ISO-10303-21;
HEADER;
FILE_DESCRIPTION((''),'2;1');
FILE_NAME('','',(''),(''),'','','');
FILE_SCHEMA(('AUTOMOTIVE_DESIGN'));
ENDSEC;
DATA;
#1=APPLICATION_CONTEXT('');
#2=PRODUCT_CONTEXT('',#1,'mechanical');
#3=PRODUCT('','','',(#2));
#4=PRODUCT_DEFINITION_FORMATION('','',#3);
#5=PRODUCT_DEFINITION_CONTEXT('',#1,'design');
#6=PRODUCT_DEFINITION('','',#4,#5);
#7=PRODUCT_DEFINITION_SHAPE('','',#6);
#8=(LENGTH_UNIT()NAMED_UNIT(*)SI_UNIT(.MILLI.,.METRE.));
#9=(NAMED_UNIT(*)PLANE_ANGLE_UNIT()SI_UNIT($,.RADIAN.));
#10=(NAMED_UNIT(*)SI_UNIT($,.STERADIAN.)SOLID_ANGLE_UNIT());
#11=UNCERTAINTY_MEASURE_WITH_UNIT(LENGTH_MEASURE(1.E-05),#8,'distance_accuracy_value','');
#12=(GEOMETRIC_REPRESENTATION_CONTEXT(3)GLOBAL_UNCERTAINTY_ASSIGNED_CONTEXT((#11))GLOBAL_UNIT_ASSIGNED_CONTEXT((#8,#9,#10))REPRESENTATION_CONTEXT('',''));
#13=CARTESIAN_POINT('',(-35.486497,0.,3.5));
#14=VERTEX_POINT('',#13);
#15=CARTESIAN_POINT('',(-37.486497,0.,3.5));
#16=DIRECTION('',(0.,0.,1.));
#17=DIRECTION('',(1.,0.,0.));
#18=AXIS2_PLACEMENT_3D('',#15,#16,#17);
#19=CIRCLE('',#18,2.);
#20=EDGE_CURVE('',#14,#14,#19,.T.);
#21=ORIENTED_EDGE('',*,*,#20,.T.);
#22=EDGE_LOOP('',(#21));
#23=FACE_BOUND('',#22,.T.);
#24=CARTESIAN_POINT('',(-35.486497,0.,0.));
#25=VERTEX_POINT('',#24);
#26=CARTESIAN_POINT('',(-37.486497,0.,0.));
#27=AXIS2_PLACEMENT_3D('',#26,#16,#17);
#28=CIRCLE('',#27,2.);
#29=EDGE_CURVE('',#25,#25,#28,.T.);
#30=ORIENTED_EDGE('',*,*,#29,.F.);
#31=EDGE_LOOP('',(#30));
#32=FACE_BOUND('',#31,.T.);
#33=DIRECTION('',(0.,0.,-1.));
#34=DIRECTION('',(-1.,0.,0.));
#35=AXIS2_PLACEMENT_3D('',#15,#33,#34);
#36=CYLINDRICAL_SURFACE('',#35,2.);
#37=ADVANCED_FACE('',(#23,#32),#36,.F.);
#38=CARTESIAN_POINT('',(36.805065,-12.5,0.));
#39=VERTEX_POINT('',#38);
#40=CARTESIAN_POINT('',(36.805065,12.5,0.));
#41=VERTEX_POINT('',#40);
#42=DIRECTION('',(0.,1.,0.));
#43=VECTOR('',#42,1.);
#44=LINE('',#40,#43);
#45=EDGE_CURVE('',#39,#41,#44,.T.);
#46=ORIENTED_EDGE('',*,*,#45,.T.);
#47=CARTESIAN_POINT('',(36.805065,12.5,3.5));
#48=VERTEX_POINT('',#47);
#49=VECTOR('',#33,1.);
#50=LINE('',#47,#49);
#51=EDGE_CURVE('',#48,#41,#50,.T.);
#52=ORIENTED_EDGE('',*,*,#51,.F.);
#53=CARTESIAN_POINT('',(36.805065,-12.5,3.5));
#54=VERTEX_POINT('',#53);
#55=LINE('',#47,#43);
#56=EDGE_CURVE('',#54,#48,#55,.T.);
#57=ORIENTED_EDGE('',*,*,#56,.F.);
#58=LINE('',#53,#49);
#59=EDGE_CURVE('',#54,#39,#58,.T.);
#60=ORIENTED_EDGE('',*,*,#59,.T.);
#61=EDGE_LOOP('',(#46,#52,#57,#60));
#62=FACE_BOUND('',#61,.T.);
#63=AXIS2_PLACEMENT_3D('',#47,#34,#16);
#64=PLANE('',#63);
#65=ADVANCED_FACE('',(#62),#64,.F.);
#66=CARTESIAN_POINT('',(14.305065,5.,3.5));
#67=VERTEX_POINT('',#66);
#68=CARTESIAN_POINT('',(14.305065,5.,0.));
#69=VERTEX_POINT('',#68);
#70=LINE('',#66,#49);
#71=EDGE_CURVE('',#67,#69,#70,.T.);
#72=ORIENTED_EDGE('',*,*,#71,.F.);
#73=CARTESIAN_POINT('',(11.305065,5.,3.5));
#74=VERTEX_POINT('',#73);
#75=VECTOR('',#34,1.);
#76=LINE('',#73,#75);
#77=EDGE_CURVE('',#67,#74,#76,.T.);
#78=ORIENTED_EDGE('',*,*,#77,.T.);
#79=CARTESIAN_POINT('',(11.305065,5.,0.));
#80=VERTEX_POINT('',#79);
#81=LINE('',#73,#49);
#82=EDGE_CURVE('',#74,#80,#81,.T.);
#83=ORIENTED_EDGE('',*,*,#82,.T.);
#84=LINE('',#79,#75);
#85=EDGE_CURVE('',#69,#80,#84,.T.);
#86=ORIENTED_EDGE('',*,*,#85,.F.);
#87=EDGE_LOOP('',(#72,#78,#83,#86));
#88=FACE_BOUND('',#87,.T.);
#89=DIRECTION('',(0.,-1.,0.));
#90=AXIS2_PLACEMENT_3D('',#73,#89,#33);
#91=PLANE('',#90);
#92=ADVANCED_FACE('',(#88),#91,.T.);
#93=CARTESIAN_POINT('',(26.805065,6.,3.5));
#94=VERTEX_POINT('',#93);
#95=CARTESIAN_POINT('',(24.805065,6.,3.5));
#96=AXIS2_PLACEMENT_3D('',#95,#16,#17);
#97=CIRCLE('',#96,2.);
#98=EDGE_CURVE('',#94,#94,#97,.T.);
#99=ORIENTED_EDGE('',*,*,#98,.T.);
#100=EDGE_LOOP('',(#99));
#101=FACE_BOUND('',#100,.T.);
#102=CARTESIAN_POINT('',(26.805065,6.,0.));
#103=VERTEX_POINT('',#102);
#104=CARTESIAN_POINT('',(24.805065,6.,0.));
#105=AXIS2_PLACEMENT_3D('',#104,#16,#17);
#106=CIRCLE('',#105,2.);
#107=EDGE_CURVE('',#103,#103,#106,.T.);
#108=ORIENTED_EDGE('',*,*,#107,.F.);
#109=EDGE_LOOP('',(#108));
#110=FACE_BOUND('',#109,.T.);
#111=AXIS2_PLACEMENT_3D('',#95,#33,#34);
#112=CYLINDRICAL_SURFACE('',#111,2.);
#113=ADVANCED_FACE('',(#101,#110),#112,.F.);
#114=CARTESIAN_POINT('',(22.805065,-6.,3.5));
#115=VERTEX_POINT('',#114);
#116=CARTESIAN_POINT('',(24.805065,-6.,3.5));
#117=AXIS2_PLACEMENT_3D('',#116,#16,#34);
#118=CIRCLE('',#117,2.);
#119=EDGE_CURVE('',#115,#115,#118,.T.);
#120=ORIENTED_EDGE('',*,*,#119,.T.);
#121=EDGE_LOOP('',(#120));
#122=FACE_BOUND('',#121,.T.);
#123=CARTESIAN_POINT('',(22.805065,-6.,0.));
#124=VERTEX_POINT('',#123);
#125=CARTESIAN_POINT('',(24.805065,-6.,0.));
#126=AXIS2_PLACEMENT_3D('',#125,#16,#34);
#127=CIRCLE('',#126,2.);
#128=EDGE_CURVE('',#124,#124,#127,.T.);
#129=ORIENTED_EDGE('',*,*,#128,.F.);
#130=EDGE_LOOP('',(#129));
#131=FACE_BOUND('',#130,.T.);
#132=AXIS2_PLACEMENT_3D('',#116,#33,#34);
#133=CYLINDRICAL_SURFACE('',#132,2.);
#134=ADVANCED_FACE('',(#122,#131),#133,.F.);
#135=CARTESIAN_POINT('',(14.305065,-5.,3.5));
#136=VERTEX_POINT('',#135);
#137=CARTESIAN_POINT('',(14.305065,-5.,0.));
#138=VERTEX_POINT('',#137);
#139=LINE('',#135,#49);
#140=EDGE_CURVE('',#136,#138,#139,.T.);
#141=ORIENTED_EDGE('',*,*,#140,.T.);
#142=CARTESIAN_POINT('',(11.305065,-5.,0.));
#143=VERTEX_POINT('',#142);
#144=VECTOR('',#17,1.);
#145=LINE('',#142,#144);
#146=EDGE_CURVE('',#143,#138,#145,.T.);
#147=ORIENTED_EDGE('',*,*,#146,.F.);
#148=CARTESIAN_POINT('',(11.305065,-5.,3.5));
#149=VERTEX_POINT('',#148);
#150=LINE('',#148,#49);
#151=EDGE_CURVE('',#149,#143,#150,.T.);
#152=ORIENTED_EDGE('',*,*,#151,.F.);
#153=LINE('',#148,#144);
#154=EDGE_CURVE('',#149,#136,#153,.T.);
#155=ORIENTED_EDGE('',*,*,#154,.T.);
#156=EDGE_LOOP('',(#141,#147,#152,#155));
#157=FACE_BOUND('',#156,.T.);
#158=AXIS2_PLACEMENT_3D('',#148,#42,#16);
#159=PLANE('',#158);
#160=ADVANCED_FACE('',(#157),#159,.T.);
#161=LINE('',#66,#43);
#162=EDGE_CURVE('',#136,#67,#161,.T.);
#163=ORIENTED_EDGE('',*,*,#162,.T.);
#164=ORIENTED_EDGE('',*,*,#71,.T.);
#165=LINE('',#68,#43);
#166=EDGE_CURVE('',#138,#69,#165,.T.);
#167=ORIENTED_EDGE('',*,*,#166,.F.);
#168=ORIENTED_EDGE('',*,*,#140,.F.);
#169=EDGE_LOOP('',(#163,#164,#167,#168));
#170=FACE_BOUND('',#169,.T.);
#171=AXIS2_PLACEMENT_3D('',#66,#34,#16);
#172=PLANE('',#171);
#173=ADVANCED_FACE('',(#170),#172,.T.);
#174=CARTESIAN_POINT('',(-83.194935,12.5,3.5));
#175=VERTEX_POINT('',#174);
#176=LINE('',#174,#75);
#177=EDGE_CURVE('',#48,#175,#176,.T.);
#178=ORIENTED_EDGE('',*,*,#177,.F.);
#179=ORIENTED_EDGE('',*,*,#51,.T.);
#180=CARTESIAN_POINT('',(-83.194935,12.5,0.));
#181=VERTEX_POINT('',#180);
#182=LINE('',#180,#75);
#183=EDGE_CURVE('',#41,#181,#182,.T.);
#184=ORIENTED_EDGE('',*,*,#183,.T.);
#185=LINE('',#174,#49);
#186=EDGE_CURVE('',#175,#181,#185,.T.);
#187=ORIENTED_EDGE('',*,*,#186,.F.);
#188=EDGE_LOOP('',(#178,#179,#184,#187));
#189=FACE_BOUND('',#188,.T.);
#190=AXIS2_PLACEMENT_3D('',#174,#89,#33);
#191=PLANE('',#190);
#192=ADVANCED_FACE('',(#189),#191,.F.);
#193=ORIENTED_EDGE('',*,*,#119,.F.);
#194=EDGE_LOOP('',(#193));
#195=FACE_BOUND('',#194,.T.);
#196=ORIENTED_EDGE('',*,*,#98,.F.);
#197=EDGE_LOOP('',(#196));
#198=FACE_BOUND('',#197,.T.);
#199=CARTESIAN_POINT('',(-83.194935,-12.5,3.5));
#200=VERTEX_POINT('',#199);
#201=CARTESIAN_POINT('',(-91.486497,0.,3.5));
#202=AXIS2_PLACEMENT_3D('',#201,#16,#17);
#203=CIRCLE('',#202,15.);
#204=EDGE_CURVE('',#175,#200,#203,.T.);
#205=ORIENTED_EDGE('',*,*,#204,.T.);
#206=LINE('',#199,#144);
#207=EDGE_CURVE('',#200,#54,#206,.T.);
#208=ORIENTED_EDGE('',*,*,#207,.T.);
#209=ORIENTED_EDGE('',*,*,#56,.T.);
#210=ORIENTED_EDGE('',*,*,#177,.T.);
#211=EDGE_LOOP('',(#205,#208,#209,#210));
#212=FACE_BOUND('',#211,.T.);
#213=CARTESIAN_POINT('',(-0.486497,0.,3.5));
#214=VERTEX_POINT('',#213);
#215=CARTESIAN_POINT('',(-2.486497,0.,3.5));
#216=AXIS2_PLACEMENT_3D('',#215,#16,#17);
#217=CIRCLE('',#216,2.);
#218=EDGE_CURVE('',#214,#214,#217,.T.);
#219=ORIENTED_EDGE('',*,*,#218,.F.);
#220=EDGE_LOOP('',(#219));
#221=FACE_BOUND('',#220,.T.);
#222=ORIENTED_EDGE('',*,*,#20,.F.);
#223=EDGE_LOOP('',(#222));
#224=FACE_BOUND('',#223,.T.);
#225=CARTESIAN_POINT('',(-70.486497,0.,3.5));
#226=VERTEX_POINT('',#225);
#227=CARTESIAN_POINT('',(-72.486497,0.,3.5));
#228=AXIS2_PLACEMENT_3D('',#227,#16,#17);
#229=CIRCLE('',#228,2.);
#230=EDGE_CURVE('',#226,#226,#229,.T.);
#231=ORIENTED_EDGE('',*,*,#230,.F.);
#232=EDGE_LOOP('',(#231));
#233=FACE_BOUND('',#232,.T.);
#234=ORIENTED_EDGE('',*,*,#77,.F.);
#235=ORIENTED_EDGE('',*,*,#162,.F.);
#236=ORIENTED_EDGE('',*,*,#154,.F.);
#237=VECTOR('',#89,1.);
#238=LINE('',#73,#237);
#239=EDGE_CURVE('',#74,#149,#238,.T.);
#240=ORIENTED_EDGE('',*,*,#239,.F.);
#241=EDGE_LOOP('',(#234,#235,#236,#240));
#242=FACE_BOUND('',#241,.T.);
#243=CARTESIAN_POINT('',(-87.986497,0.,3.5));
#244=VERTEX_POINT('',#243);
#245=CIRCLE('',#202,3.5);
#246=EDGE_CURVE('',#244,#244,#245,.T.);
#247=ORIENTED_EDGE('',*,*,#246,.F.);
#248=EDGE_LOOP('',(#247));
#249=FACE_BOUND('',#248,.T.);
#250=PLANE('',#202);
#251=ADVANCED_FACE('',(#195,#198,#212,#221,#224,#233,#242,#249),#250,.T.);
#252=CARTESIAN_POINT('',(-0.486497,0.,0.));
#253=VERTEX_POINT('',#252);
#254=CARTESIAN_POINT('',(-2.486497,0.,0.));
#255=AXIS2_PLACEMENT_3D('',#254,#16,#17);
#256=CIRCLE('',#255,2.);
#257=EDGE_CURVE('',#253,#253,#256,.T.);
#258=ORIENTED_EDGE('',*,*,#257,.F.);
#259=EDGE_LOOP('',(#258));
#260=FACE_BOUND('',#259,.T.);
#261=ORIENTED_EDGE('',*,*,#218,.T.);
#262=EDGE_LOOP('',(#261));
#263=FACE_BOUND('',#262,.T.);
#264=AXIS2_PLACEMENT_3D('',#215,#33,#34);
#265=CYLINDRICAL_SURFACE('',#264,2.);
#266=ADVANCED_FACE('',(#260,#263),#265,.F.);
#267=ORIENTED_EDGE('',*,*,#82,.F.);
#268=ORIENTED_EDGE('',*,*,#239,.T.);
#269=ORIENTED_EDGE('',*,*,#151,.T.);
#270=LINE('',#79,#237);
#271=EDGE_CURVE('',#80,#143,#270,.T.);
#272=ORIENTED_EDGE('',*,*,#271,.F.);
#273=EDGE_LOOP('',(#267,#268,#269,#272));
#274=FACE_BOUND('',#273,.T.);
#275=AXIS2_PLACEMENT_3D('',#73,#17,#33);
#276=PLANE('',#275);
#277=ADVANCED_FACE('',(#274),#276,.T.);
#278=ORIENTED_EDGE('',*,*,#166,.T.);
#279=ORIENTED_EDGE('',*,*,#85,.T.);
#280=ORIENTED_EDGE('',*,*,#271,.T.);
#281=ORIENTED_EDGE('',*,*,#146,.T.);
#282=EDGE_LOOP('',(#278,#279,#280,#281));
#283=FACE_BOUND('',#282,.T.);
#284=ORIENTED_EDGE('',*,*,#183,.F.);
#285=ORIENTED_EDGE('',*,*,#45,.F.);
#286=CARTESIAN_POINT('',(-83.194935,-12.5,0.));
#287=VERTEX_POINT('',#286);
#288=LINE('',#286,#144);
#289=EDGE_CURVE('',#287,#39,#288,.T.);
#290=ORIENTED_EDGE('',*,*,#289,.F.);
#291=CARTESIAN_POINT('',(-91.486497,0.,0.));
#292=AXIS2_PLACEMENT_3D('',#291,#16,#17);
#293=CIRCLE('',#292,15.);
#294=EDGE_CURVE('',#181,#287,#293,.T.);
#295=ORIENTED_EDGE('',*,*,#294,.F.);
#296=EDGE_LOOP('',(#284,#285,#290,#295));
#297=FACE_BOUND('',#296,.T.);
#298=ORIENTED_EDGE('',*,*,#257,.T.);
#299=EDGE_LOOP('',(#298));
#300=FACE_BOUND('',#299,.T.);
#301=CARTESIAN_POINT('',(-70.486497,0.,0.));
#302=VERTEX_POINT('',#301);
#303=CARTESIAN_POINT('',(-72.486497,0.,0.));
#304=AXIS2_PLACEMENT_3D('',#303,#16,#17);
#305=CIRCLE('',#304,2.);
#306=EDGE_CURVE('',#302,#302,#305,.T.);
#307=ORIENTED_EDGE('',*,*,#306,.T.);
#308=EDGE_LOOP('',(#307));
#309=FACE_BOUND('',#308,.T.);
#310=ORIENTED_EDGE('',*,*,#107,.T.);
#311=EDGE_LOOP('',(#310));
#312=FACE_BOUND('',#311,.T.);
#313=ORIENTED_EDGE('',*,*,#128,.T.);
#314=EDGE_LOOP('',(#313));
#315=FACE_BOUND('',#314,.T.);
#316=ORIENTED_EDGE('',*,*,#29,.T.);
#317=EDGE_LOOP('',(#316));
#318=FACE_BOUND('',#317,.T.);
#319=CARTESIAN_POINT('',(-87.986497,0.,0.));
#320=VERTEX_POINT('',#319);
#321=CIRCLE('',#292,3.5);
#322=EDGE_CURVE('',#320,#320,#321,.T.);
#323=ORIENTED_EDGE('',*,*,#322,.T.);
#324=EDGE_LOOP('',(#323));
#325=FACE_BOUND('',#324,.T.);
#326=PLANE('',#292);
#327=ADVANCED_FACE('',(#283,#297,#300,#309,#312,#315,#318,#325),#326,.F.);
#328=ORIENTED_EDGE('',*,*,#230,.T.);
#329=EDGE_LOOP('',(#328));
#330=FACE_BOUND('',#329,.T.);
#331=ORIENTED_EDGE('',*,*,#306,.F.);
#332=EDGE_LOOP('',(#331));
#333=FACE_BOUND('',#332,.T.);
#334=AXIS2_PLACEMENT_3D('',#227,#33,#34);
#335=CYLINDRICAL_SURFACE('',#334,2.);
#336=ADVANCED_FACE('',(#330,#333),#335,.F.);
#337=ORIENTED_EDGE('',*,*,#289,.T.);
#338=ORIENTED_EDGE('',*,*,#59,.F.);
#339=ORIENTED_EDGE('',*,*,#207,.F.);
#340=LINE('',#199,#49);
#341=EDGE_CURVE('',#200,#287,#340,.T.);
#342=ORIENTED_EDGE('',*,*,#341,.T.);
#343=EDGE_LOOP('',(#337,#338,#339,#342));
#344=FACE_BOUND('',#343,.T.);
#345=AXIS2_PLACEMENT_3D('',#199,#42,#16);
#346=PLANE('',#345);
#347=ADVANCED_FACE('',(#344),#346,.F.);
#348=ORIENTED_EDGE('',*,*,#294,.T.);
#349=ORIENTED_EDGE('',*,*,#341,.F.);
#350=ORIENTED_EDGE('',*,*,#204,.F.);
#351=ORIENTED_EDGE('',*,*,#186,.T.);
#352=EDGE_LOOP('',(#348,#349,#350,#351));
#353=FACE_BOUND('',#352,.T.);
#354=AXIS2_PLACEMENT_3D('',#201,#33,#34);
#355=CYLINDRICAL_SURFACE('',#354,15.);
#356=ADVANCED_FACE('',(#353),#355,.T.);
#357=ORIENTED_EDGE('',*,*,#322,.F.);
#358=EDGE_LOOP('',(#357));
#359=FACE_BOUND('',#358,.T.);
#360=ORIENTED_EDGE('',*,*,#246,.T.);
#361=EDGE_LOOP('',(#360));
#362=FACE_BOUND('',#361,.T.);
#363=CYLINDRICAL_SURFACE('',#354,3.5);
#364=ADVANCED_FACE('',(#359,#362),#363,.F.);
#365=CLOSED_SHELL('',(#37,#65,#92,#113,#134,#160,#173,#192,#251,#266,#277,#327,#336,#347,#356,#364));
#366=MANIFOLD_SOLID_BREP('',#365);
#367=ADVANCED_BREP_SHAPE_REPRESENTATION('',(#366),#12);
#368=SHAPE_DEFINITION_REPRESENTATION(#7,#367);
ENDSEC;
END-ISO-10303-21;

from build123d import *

# Parameters (mm, degrees)
CROQUIS1_R              = 3.5
CROQUIS1_R_2            = 2
CROQUIS1_W              = 3
CROQUIS1_H              = 10
SALIENTE_EXTRUIR2_DEPTH = 3.5


with BuildPart() as part:
    # Croquis1 → Saliente-Extruir2 (new body)
    with BuildSketch(Plane.XY):
        with BuildLine():
            Line((36.805064583, 12.5), (36.805064583, -12.5))
            Line((36.805064583, -12.5), (-83.194935417, -12.5))
            ThreePointArc((-83.194935417, -12.5), (-106.486497393, 0), (-83.194935417, 12.5))
            Line((-83.194935417, 12.5), (36.805064583, 12.5))
        make_face()
        with Locations((-91.486497393, 0)):
            Circle(CROQUIS1_R, mode=Mode.SUBTRACT)
        with Locations((-72.486497393, 0)):
            Circle(CROQUIS1_R_2, mode=Mode.SUBTRACT)
        with Locations((24.805064583, 6)):
            Circle(CROQUIS1_R_2, mode=Mode.SUBTRACT)
        with Locations((24.805064583, -6)):
            Circle(CROQUIS1_R_2, mode=Mode.SUBTRACT)
        with Locations((-37.486497393, 0)):
            Circle(CROQUIS1_R_2, mode=Mode.SUBTRACT)
        with Locations((-2.486497393, 0)):
            Circle(CROQUIS1_R_2, mode=Mode.SUBTRACT)
        with Locations((12.805064583, 0)):
            Rectangle(CROQUIS1_W, CROQUIS1_H, mode=Mode.SUBTRACT)
    extrude(amount=SALIENTE_EXTRUIR2_DEPTH)


solid = part.part
